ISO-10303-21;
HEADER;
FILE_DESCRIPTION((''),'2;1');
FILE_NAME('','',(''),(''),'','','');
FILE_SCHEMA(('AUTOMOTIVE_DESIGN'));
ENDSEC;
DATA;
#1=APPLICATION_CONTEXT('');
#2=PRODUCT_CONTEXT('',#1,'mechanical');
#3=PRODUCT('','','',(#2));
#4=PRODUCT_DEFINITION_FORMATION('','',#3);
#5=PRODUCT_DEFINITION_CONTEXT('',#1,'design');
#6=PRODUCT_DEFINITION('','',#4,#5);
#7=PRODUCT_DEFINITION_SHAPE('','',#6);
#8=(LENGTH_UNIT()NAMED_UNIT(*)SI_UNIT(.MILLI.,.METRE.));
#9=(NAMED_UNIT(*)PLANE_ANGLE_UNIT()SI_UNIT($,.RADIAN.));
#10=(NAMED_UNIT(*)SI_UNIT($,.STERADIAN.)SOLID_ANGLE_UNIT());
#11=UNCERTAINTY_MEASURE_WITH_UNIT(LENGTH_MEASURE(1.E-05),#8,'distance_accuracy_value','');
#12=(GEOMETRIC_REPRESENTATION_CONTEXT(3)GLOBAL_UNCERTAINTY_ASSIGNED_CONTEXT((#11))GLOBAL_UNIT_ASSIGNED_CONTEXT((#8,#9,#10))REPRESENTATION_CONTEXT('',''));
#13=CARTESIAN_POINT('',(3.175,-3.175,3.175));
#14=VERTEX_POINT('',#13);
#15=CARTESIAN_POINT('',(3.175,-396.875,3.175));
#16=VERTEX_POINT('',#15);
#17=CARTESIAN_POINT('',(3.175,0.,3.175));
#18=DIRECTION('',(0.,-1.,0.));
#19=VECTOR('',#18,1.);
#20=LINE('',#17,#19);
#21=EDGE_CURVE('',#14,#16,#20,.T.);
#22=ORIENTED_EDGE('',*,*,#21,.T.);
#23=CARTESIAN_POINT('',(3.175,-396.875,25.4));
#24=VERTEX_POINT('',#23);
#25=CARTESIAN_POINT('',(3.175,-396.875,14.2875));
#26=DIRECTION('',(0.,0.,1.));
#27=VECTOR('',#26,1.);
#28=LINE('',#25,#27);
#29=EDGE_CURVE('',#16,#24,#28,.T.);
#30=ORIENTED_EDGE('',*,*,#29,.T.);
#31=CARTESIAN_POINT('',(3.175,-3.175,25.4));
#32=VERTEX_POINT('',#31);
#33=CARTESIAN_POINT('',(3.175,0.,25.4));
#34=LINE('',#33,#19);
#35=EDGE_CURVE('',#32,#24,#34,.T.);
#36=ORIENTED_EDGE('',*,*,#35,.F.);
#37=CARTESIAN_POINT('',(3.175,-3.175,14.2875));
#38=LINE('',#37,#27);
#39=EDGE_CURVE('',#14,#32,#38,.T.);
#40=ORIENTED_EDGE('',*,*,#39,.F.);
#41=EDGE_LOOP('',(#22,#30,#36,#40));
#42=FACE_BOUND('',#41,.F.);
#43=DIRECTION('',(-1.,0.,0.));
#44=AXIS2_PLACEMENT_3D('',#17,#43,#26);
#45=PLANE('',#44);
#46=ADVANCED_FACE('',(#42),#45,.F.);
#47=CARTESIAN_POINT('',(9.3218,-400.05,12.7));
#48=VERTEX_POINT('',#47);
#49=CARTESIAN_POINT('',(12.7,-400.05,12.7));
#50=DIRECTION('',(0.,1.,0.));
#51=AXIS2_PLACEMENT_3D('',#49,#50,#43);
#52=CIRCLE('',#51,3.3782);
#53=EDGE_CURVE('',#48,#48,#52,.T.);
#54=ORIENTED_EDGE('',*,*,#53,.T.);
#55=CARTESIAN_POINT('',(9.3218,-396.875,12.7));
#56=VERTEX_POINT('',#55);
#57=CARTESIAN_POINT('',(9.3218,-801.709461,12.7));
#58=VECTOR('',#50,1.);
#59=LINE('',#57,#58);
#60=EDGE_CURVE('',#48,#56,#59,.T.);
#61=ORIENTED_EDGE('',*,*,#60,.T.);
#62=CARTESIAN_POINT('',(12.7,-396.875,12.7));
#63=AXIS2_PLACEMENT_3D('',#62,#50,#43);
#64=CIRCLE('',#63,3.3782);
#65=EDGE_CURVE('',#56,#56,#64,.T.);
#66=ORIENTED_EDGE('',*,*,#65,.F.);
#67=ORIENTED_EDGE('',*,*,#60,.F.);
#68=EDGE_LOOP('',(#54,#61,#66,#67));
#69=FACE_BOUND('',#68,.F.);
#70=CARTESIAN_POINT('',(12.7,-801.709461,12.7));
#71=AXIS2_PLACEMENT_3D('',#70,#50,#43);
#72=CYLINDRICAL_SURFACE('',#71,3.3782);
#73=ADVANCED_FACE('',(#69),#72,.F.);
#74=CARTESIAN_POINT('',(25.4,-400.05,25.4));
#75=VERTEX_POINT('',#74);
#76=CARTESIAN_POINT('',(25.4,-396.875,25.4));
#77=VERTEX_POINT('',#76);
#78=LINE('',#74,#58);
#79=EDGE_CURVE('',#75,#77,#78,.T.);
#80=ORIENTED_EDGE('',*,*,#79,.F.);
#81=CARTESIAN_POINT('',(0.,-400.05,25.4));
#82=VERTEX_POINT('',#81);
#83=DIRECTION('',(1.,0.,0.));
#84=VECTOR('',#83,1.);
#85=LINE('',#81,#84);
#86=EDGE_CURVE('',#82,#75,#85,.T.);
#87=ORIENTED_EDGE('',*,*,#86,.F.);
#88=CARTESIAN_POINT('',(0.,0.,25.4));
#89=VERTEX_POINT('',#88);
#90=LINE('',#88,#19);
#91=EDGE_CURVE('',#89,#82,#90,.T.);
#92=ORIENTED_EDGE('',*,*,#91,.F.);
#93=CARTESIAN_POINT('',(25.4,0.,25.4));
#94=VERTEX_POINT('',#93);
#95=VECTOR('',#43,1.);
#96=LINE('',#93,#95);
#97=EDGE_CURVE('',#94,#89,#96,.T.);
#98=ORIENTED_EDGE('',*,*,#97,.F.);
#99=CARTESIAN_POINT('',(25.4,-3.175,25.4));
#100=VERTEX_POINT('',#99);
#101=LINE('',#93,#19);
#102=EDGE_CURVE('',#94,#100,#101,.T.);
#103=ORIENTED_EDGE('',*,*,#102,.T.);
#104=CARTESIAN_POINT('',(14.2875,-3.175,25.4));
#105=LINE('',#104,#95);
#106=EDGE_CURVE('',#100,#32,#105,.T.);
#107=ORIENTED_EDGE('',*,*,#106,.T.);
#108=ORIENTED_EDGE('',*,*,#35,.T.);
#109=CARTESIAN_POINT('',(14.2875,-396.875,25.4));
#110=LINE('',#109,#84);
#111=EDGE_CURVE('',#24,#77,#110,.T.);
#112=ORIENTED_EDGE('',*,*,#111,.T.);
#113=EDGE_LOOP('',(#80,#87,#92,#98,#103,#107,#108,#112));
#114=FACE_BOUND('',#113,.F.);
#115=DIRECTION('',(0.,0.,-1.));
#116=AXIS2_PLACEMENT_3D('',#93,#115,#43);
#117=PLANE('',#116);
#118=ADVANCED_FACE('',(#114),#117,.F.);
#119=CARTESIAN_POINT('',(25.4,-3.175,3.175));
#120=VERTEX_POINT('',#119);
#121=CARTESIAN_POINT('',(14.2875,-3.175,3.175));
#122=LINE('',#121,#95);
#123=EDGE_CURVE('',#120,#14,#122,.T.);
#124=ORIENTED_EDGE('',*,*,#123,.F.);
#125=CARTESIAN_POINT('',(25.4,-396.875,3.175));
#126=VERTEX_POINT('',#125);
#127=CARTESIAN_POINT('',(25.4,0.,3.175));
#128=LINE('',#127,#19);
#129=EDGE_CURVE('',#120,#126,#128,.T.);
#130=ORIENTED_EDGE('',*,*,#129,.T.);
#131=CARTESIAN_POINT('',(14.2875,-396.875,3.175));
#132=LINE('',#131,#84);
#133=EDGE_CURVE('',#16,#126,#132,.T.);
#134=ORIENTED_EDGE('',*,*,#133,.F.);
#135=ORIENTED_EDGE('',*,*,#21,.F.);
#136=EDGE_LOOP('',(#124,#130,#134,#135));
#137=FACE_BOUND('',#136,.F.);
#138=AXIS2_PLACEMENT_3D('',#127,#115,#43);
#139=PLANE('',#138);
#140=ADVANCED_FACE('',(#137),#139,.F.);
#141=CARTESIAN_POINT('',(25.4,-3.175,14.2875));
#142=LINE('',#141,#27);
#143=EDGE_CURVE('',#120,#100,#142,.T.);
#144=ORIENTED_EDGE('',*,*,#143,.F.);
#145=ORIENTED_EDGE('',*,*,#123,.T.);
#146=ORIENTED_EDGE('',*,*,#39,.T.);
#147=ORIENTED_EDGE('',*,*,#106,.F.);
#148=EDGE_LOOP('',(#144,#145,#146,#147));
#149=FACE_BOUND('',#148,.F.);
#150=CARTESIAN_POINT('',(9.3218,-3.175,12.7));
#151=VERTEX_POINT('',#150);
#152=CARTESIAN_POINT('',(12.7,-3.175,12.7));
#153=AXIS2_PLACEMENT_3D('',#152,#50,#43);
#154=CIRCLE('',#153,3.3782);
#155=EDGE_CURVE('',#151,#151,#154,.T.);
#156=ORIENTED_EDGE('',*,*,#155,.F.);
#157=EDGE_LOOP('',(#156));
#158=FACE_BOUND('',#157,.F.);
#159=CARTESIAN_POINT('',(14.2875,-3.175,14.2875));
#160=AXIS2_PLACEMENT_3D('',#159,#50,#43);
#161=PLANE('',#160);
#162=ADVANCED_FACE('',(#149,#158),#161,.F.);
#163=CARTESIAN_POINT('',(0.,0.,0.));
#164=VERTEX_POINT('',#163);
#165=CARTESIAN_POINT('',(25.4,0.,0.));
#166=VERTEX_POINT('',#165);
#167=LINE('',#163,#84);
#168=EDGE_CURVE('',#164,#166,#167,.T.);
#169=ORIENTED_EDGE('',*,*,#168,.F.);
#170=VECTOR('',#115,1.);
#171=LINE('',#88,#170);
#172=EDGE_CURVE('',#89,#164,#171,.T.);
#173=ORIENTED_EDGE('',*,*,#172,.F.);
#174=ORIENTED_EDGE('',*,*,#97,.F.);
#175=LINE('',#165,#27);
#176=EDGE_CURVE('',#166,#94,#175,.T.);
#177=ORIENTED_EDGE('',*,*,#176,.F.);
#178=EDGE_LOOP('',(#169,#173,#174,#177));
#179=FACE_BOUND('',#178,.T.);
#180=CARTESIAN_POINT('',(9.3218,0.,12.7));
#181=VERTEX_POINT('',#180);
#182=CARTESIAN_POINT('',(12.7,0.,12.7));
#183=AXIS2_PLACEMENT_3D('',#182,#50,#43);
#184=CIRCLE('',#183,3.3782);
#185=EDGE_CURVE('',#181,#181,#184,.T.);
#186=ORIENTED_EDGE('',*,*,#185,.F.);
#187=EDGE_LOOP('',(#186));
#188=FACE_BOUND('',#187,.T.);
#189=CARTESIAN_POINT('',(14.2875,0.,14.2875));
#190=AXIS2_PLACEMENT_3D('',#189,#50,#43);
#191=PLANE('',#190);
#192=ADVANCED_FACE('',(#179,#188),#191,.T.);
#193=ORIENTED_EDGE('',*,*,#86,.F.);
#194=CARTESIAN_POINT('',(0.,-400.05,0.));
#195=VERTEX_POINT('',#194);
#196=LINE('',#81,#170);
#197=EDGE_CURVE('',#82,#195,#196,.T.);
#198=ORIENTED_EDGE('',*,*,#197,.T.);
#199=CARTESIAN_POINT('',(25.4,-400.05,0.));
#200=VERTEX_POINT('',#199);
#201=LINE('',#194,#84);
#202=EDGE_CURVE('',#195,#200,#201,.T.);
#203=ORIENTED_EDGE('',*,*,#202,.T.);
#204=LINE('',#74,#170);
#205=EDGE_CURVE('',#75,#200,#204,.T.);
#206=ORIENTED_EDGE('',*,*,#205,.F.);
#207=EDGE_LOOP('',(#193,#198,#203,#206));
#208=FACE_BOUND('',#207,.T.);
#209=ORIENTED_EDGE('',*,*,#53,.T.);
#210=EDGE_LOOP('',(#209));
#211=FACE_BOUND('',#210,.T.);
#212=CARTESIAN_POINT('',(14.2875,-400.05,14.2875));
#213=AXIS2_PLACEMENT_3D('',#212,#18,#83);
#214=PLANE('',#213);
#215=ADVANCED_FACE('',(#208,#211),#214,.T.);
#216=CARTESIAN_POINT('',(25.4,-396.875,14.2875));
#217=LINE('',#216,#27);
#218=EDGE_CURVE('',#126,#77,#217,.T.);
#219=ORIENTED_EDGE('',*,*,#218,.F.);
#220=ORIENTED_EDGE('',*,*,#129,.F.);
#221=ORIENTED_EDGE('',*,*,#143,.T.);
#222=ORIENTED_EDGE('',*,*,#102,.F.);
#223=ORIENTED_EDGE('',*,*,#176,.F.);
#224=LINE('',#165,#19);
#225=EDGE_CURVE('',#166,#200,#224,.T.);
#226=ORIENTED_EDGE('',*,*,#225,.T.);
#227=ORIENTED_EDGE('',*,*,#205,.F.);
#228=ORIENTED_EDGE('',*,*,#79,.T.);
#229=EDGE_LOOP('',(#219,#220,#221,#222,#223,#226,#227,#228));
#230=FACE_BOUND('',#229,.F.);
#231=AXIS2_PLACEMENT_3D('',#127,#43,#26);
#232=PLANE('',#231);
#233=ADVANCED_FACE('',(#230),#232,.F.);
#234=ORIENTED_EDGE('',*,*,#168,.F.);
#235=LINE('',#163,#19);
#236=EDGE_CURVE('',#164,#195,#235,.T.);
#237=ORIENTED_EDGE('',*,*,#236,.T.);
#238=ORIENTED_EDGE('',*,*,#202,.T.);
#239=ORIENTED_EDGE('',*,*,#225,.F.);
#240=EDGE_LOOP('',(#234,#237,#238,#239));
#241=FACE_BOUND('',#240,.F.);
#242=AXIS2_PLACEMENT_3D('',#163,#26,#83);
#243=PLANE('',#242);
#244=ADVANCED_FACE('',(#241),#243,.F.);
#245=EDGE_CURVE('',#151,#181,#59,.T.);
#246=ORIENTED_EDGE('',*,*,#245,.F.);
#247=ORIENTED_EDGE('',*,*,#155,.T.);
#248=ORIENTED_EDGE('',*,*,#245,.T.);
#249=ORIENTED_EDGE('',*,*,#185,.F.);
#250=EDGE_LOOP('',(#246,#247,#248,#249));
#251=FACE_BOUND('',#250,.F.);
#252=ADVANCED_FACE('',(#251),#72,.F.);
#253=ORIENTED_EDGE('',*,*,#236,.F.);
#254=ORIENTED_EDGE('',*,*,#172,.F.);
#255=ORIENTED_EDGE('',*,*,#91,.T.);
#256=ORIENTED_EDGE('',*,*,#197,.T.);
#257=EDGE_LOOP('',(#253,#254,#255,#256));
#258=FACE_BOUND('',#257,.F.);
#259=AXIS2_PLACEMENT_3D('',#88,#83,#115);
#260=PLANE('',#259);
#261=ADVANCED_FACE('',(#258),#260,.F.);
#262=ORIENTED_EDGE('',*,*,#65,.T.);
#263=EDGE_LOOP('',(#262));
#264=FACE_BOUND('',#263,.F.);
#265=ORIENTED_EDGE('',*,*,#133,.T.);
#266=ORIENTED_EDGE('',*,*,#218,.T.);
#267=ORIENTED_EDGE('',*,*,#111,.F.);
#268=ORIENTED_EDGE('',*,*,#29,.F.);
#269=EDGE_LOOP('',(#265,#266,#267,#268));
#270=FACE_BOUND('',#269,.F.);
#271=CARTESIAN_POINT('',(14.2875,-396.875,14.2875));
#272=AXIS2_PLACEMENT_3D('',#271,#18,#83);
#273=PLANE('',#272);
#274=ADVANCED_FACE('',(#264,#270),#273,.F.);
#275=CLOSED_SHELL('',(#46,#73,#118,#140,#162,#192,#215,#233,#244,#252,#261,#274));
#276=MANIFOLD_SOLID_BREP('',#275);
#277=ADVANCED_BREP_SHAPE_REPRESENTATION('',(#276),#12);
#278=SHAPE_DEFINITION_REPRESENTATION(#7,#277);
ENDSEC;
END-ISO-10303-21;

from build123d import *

# Parameters (mm, degrees)
F1_DEPTH = 400.05
F2_W     = 22.225
F2_H     = 22.225
F3_DEPTH = 3.175
F4_W     = 22.225
F4_H     = 22.225
F5_DEPTH = 3.175
F7_D     = 6.7564


with BuildPart() as f1:
    # F0 (on Front) → F1 (new body)
    with BuildSketch(Plane.XZ):
        Polygon((0, 25.4), (0, 0), (25.4, 0), (25.4, 3.175), (3.175, 3.175), (3.175, 25.4), align=None)
    extrude(amount=F1_DEPTH)

    # F2 (on face) → F3 (join)
    with BuildSketch(Plane.XZ.offset(400.05)):
        with Locations((14.2875, 14.2875)):
            Rectangle(F2_W, F2_H)
    extrude(amount=-F3_DEPTH)

    # F4 (on face) → F5 (join)
    with BuildSketch(Plane(origin=(0, 0, 0), x_dir=(-1, 0, 0), z_dir=(0, 1, 0))):
        with Locations((-14.2875, 14.2875)):
            Rectangle(F4_W, F4_H)
    extrude(amount=-F5_DEPTH)

    # F7 (through all)
    with Locations(Plane.XZ.offset(400.05)):
        with Locations((12.7, 12.7)):
            Hole(F7_D / 2)


solid = f1.part
